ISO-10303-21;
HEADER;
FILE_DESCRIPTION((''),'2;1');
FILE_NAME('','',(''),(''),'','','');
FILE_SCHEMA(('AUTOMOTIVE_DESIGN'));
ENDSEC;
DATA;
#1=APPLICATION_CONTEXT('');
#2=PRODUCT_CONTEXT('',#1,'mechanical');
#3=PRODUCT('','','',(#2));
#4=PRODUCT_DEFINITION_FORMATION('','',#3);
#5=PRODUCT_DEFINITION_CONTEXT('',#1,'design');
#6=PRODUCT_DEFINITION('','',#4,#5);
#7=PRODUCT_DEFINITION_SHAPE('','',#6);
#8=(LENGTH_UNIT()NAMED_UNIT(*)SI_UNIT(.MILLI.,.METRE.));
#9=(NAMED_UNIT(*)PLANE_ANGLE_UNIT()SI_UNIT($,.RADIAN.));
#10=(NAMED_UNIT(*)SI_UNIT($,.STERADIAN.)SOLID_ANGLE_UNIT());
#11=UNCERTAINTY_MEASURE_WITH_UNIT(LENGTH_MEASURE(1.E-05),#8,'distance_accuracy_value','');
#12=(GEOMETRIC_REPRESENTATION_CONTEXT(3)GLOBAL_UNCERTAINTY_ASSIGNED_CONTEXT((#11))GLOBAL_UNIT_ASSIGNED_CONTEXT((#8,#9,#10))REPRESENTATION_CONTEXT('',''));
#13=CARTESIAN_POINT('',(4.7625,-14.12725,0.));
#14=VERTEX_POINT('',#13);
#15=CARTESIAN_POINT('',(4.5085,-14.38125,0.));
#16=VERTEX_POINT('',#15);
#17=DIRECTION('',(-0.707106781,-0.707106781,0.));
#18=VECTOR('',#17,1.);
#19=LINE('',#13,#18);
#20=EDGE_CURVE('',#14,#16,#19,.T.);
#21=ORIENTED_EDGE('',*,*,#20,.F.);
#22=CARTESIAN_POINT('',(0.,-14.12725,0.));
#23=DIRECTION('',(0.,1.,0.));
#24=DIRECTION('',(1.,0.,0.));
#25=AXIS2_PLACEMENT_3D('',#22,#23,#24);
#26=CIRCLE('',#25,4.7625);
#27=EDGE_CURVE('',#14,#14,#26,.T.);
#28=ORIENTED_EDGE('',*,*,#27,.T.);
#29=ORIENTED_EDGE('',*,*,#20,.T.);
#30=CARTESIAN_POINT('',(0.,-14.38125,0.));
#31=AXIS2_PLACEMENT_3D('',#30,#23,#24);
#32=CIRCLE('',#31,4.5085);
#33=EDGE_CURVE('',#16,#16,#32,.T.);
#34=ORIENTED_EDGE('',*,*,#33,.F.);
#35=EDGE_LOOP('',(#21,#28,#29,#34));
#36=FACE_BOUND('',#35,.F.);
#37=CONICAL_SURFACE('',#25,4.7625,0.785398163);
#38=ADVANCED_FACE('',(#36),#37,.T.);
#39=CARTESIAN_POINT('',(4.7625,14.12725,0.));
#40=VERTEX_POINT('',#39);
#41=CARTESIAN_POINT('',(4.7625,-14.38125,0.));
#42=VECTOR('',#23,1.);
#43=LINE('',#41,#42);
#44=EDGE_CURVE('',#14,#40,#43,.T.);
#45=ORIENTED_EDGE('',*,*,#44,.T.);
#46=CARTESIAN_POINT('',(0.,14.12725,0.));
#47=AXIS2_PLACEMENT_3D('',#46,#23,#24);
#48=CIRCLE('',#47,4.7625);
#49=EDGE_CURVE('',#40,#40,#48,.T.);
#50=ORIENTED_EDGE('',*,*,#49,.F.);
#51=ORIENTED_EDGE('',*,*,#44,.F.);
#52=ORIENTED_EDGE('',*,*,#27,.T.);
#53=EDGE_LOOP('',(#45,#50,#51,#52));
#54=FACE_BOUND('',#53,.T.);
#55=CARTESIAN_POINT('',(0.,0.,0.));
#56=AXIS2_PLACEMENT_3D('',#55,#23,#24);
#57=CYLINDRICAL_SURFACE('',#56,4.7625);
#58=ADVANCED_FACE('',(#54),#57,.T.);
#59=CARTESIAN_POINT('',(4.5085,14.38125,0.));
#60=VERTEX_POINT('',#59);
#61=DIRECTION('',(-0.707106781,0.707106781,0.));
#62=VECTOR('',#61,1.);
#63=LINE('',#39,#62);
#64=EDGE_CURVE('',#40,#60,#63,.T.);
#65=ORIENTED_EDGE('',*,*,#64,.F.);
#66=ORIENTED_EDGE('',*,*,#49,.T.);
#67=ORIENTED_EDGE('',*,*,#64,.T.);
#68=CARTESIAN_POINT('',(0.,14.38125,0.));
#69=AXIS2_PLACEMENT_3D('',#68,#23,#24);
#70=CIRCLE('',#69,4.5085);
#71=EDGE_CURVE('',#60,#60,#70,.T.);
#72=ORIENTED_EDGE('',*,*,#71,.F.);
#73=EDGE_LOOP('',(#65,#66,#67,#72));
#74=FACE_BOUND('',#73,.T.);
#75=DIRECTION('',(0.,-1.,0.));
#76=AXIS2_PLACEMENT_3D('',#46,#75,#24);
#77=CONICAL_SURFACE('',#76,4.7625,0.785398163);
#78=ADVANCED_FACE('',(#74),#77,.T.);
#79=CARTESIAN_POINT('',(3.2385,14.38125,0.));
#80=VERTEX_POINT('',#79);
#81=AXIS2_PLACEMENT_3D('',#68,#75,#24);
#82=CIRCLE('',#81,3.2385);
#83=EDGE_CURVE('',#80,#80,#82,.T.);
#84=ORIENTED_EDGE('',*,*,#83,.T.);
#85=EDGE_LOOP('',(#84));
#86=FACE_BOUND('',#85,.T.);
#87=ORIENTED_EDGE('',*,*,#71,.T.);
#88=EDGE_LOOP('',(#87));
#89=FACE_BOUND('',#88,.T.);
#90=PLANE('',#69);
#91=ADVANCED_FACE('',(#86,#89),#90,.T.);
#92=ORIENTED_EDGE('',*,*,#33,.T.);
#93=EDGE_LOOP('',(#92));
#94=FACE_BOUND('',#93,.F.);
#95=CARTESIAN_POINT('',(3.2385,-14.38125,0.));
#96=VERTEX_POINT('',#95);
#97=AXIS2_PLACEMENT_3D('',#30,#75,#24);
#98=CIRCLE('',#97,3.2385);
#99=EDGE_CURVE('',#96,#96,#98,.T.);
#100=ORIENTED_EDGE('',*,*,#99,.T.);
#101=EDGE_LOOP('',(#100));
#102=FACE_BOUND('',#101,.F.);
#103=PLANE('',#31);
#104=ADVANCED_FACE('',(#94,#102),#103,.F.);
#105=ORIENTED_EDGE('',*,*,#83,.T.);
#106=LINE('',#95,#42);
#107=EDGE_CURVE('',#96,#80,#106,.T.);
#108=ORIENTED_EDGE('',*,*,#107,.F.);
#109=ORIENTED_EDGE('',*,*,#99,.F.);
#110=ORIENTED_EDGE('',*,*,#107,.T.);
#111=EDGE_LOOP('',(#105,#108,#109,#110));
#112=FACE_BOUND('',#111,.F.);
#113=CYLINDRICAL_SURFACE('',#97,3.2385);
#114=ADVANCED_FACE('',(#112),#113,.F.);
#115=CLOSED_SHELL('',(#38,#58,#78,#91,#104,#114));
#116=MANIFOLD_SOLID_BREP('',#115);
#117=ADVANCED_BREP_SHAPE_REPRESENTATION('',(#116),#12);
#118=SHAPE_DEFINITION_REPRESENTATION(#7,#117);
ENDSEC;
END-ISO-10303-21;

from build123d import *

# Parameters (mm, degrees)
SKETCH1_R           = 4.7625
BOSS_EXTRUDE1_DEPTH = 14.381250003
CHAMFER1_SIZE       = 0.254
SKETCH2_R           = 3.2385
CUT_EXTRUDE1_DEPTH  = 29.762500006


with BuildPart() as part:
    # Sketch1 → Boss-Extrude1 (new body, symmetric)
    with BuildSketch(Plane(origin=(0, 0, 0), x_dir=(1, 0, 0), z_dir=(0, 1, 0))):
        Circle(SKETCH1_R)
    extrude(amount=BOSS_EXTRUDE1_DEPTH, both=True)

    # Chamfer1
    chamfer1_edges = [part.edges().sort_by_distance(p)[0] for p in [
        (-4.7625, -14.381250003, 0),
        (-4.7625, 14.381250003, 0),
    ]]
    chamfer(chamfer1_edges, length=CHAMFER1_SIZE)

    # Sketch2 → Cut-Extrude1 (cut, through all)
    with BuildSketch(Plane.XZ.offset(14.381250003)):
        Circle(SKETCH2_R)
    extrude(amount=-CUT_EXTRUDE1_DEPTH, mode=Mode.SUBTRACT)


solid = part.part
